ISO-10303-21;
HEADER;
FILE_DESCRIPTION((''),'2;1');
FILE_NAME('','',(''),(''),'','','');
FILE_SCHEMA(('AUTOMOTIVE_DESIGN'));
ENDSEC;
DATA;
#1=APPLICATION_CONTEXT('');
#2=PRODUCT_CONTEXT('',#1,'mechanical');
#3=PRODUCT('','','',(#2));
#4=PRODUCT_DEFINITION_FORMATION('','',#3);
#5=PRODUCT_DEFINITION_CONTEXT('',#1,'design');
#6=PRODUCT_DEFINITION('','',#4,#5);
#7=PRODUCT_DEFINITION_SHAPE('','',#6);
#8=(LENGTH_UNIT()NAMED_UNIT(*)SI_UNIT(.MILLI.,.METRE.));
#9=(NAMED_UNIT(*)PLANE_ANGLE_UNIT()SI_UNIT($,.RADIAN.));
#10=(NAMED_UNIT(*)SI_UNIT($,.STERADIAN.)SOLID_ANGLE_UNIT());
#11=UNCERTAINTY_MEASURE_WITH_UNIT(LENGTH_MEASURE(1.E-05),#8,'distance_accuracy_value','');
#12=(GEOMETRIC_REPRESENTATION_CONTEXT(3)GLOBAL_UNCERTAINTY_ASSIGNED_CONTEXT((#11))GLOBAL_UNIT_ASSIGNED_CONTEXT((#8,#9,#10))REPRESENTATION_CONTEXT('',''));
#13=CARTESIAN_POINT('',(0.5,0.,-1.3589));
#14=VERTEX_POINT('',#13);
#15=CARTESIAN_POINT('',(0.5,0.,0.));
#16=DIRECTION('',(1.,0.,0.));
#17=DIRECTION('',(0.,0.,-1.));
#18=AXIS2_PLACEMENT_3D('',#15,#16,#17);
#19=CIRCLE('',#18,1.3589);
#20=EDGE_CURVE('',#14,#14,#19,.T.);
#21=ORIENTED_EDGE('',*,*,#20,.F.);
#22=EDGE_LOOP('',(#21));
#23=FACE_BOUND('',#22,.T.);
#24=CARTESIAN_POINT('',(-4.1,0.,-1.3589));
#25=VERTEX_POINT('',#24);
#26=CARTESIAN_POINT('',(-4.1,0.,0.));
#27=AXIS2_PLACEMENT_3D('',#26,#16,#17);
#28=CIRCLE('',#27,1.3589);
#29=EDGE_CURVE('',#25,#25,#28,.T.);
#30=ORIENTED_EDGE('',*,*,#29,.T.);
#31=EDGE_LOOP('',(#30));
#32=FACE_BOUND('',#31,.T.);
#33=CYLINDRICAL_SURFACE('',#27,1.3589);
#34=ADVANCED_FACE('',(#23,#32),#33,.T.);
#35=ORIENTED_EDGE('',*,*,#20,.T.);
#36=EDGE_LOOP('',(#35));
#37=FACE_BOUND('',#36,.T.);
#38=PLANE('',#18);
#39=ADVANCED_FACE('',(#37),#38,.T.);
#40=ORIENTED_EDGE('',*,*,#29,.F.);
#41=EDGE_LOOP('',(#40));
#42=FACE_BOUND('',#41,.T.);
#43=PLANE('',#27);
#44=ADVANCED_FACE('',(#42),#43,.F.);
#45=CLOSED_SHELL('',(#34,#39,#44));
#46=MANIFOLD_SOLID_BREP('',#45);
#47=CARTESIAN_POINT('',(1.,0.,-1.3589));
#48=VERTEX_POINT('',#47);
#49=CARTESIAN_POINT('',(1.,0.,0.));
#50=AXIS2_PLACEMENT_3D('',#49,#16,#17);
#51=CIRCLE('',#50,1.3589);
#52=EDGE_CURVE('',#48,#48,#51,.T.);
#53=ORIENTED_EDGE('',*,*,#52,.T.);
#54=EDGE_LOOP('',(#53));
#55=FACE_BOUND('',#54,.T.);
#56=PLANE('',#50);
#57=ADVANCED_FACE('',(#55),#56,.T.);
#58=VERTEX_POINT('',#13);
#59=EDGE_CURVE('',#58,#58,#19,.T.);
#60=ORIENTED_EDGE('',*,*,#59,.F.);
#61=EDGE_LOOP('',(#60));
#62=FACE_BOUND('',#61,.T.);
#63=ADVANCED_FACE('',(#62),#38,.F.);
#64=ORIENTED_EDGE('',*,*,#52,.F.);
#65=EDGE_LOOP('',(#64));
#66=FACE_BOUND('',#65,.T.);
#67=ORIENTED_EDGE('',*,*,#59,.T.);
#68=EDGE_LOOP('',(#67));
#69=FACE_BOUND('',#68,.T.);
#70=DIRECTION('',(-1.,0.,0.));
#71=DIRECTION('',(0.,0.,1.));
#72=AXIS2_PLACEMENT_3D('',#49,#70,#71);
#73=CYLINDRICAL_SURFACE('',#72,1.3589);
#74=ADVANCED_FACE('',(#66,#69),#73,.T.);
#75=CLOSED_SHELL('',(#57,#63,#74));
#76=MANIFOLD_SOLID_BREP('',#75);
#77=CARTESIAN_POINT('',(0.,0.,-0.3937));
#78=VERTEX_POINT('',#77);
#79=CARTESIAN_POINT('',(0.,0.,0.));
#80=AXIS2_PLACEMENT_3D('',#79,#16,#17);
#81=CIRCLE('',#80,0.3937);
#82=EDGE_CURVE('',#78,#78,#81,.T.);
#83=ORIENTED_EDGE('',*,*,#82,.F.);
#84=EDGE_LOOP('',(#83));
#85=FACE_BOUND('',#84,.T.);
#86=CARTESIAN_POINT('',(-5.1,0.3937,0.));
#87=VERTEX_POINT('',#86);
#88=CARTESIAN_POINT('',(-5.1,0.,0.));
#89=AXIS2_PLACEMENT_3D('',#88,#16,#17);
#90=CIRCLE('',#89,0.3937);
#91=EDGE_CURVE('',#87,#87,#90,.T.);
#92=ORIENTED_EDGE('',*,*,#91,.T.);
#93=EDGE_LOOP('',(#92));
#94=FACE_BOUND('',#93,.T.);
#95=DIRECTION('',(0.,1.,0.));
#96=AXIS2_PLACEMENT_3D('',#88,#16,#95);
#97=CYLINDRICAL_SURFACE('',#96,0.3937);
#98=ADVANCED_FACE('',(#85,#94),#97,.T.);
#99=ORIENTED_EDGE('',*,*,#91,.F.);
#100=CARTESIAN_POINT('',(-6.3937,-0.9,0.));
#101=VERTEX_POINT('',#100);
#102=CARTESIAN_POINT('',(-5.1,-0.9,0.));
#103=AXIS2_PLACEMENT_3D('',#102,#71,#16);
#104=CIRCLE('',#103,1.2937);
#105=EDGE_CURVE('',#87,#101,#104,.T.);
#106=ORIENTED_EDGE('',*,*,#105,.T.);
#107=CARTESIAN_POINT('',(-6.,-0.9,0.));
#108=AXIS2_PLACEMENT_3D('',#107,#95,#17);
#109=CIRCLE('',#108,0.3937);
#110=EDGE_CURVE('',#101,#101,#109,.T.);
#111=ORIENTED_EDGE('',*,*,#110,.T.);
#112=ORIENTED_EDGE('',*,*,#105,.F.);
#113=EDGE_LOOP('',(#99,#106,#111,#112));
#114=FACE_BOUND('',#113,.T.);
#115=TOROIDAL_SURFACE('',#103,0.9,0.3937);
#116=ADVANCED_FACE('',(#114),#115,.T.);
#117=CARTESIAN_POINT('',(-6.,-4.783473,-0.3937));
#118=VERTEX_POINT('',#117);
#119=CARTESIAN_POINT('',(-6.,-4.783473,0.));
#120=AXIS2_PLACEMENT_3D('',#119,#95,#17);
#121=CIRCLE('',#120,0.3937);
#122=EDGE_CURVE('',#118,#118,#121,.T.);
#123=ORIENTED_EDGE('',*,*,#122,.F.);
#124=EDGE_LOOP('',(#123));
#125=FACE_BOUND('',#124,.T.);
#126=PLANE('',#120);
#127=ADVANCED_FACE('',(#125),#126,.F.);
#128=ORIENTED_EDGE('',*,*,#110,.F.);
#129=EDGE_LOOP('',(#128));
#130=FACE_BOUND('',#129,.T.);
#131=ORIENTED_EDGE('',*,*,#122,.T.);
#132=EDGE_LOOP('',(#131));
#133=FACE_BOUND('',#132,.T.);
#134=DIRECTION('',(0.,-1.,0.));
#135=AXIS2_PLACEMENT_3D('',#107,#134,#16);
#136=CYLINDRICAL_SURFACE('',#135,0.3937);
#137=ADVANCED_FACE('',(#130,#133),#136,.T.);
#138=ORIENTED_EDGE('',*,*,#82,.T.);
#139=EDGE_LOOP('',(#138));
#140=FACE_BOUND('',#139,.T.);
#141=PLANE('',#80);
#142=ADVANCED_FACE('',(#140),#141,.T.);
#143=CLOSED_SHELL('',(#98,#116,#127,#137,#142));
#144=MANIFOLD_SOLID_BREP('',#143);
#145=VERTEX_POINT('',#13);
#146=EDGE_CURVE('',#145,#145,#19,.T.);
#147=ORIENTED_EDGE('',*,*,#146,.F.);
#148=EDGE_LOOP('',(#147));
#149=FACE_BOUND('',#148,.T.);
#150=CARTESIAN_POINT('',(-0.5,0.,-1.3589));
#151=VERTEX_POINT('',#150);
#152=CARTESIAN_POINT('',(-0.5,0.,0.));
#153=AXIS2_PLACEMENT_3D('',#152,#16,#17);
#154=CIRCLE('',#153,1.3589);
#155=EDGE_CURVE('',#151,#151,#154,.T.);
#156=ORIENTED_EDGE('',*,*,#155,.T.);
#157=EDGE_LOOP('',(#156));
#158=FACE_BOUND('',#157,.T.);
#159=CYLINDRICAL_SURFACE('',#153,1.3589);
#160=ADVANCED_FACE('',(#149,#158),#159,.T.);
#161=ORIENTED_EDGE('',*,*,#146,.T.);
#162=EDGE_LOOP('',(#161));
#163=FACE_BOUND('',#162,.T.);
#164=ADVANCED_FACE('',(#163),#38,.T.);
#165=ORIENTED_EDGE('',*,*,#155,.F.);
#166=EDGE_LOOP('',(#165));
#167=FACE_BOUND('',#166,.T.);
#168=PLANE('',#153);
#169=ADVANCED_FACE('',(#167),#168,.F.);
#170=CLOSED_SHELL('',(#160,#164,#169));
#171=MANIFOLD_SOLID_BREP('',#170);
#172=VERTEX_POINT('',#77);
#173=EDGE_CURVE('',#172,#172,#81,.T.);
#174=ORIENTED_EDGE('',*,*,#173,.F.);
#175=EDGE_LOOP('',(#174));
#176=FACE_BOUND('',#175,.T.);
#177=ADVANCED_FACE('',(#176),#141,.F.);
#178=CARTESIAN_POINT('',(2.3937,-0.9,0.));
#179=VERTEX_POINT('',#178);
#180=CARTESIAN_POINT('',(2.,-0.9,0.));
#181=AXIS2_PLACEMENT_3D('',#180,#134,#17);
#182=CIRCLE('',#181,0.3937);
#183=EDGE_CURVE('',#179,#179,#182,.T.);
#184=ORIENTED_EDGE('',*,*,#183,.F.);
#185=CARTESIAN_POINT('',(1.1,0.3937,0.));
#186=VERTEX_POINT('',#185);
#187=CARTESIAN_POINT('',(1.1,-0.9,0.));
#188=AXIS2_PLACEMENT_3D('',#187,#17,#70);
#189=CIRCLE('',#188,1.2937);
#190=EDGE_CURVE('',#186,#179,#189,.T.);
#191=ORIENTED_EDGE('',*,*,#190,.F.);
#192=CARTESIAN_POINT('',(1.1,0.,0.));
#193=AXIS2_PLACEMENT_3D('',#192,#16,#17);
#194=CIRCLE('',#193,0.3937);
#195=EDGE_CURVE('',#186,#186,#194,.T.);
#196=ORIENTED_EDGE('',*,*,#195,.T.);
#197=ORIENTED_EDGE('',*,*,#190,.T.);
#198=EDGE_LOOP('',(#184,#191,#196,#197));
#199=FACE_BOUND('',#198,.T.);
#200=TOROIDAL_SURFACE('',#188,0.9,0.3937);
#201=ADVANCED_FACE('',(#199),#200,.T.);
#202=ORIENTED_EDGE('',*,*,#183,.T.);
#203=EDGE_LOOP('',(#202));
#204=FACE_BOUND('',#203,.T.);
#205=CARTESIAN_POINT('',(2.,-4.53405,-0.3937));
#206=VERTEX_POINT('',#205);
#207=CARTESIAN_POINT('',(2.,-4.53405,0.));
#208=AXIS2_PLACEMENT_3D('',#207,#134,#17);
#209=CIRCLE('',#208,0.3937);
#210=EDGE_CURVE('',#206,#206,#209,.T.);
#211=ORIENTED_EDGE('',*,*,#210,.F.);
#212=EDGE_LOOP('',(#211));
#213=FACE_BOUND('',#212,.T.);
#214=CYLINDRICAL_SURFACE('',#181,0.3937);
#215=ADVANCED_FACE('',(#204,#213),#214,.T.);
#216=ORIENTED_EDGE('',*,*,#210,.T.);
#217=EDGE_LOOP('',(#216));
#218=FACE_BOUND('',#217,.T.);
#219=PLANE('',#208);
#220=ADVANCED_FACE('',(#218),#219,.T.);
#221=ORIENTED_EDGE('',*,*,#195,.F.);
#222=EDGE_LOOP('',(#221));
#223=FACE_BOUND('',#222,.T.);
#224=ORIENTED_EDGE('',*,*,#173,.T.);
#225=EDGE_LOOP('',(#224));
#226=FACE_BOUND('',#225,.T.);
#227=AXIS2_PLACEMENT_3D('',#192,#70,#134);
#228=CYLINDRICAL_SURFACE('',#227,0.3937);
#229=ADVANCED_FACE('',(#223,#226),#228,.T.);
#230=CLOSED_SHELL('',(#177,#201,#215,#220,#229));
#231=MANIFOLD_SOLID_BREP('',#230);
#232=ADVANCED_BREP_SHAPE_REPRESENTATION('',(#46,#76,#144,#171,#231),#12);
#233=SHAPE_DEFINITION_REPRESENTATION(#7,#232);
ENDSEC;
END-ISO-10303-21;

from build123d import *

# Parameters (mm, degrees)
SALIENTE_EXTRUIR1_DEPTH      = 0.5
SALIENTE_EXTRUIR1_DEPTH_BACK = 0.5
CROQUIS2_R                   = 1.3589
SALIENTE_EXTRUIR2_START      = 0.5
CROQUIS3_R                   = 1.3589
SALIENTE_EXTRUIR2_DEPTH      = 0.5
SALIENTE_EXTRUIR3_START      = 0.5
CROQUIS4_R                   = 1.3589
SALIENTE_EXTRUIR3_DEPTH      = 4.6
CROQUIS5_R                   = 0.3937
CROQUIS8_R                   = 0.3937


with BuildPart() as part:
    # Croquis2 → Saliente-Extruir1 (new, two sides: drawn at the far end of the back side and taken through both)
    with BuildSketch(Plane(origin=(0, 0, 0), x_dir=(0, 0, -1), z_dir=(1, 0, 0)).offset(-SALIENTE_EXTRUIR1_DEPTH_BACK)):
        Circle(CROQUIS2_R)
    extrude(amount=SALIENTE_EXTRUIR1_DEPTH + SALIENTE_EXTRUIR1_DEPTH_BACK)


with BuildPart() as body_2:
    # Croquis3 → Saliente-Extruir2 (new body)
    with BuildSketch(Plane(origin=(0, 0, 0), x_dir=(0, 0, -1), z_dir=(1, 0, 0)).offset(SALIENTE_EXTRUIR2_START)):
        Circle(CROQUIS3_R)
    extrude(amount=SALIENTE_EXTRUIR2_DEPTH)


with BuildPart() as body_3:
    # Croquis4 → Saliente-Extruir3 (new body)
    with BuildSketch(Plane(origin=(0, 0, 0), x_dir=(0, 0, -1), z_dir=(1, 0, 0)).offset(SALIENTE_EXTRUIR3_START)):
        Circle(CROQUIS4_R)
    extrude(amount=-SALIENTE_EXTRUIR3_DEPTH)


with BuildPart() as body_4:
    # Barrer1: sweep along a path in Croquis7
    with BuildLine(Plane.XY) as barrer1_path:
        Line((0, 0), (1.1, 0))
        ThreePointArc((1.1, 0), (1.736396103, -0.263603897), (2, -0.9))
        Line((2, -0.9), (2, -4.534050434))
    # Croquis5 → Barrer1 (sweep)
    with BuildSketch(Plane(origin=(0, 0, 0), x_dir=(0, 0, -1), z_dir=(1, 0, 0))):
        Circle(CROQUIS5_R)
    sweep(path=barrer1_path.line)


with BuildPart() as body_5:
    # Barrer2: sweep along a path in Croquis9
    with BuildLine(Plane.XY) as barrer2_path:
        Line((0, 0), (-5.1, 0))
        ThreePointArc((-5.1, 0), (-5.736396103, -0.263603897), (-6, -0.9))
        Line((-6, -0.9), (-6, -4.783473142))
    # Croquis8 → Barrer2 (sweep)
    with BuildSketch(Plane(origin=(0, 0, 0), x_dir=(0, 0, -1), z_dir=(1, 0, 0))):
        Circle(CROQUIS8_R)
    sweep(path=barrer2_path.line)


solid = Compound([part.part, body_2.part, body_3.part, body_4.part, body_5.part])
